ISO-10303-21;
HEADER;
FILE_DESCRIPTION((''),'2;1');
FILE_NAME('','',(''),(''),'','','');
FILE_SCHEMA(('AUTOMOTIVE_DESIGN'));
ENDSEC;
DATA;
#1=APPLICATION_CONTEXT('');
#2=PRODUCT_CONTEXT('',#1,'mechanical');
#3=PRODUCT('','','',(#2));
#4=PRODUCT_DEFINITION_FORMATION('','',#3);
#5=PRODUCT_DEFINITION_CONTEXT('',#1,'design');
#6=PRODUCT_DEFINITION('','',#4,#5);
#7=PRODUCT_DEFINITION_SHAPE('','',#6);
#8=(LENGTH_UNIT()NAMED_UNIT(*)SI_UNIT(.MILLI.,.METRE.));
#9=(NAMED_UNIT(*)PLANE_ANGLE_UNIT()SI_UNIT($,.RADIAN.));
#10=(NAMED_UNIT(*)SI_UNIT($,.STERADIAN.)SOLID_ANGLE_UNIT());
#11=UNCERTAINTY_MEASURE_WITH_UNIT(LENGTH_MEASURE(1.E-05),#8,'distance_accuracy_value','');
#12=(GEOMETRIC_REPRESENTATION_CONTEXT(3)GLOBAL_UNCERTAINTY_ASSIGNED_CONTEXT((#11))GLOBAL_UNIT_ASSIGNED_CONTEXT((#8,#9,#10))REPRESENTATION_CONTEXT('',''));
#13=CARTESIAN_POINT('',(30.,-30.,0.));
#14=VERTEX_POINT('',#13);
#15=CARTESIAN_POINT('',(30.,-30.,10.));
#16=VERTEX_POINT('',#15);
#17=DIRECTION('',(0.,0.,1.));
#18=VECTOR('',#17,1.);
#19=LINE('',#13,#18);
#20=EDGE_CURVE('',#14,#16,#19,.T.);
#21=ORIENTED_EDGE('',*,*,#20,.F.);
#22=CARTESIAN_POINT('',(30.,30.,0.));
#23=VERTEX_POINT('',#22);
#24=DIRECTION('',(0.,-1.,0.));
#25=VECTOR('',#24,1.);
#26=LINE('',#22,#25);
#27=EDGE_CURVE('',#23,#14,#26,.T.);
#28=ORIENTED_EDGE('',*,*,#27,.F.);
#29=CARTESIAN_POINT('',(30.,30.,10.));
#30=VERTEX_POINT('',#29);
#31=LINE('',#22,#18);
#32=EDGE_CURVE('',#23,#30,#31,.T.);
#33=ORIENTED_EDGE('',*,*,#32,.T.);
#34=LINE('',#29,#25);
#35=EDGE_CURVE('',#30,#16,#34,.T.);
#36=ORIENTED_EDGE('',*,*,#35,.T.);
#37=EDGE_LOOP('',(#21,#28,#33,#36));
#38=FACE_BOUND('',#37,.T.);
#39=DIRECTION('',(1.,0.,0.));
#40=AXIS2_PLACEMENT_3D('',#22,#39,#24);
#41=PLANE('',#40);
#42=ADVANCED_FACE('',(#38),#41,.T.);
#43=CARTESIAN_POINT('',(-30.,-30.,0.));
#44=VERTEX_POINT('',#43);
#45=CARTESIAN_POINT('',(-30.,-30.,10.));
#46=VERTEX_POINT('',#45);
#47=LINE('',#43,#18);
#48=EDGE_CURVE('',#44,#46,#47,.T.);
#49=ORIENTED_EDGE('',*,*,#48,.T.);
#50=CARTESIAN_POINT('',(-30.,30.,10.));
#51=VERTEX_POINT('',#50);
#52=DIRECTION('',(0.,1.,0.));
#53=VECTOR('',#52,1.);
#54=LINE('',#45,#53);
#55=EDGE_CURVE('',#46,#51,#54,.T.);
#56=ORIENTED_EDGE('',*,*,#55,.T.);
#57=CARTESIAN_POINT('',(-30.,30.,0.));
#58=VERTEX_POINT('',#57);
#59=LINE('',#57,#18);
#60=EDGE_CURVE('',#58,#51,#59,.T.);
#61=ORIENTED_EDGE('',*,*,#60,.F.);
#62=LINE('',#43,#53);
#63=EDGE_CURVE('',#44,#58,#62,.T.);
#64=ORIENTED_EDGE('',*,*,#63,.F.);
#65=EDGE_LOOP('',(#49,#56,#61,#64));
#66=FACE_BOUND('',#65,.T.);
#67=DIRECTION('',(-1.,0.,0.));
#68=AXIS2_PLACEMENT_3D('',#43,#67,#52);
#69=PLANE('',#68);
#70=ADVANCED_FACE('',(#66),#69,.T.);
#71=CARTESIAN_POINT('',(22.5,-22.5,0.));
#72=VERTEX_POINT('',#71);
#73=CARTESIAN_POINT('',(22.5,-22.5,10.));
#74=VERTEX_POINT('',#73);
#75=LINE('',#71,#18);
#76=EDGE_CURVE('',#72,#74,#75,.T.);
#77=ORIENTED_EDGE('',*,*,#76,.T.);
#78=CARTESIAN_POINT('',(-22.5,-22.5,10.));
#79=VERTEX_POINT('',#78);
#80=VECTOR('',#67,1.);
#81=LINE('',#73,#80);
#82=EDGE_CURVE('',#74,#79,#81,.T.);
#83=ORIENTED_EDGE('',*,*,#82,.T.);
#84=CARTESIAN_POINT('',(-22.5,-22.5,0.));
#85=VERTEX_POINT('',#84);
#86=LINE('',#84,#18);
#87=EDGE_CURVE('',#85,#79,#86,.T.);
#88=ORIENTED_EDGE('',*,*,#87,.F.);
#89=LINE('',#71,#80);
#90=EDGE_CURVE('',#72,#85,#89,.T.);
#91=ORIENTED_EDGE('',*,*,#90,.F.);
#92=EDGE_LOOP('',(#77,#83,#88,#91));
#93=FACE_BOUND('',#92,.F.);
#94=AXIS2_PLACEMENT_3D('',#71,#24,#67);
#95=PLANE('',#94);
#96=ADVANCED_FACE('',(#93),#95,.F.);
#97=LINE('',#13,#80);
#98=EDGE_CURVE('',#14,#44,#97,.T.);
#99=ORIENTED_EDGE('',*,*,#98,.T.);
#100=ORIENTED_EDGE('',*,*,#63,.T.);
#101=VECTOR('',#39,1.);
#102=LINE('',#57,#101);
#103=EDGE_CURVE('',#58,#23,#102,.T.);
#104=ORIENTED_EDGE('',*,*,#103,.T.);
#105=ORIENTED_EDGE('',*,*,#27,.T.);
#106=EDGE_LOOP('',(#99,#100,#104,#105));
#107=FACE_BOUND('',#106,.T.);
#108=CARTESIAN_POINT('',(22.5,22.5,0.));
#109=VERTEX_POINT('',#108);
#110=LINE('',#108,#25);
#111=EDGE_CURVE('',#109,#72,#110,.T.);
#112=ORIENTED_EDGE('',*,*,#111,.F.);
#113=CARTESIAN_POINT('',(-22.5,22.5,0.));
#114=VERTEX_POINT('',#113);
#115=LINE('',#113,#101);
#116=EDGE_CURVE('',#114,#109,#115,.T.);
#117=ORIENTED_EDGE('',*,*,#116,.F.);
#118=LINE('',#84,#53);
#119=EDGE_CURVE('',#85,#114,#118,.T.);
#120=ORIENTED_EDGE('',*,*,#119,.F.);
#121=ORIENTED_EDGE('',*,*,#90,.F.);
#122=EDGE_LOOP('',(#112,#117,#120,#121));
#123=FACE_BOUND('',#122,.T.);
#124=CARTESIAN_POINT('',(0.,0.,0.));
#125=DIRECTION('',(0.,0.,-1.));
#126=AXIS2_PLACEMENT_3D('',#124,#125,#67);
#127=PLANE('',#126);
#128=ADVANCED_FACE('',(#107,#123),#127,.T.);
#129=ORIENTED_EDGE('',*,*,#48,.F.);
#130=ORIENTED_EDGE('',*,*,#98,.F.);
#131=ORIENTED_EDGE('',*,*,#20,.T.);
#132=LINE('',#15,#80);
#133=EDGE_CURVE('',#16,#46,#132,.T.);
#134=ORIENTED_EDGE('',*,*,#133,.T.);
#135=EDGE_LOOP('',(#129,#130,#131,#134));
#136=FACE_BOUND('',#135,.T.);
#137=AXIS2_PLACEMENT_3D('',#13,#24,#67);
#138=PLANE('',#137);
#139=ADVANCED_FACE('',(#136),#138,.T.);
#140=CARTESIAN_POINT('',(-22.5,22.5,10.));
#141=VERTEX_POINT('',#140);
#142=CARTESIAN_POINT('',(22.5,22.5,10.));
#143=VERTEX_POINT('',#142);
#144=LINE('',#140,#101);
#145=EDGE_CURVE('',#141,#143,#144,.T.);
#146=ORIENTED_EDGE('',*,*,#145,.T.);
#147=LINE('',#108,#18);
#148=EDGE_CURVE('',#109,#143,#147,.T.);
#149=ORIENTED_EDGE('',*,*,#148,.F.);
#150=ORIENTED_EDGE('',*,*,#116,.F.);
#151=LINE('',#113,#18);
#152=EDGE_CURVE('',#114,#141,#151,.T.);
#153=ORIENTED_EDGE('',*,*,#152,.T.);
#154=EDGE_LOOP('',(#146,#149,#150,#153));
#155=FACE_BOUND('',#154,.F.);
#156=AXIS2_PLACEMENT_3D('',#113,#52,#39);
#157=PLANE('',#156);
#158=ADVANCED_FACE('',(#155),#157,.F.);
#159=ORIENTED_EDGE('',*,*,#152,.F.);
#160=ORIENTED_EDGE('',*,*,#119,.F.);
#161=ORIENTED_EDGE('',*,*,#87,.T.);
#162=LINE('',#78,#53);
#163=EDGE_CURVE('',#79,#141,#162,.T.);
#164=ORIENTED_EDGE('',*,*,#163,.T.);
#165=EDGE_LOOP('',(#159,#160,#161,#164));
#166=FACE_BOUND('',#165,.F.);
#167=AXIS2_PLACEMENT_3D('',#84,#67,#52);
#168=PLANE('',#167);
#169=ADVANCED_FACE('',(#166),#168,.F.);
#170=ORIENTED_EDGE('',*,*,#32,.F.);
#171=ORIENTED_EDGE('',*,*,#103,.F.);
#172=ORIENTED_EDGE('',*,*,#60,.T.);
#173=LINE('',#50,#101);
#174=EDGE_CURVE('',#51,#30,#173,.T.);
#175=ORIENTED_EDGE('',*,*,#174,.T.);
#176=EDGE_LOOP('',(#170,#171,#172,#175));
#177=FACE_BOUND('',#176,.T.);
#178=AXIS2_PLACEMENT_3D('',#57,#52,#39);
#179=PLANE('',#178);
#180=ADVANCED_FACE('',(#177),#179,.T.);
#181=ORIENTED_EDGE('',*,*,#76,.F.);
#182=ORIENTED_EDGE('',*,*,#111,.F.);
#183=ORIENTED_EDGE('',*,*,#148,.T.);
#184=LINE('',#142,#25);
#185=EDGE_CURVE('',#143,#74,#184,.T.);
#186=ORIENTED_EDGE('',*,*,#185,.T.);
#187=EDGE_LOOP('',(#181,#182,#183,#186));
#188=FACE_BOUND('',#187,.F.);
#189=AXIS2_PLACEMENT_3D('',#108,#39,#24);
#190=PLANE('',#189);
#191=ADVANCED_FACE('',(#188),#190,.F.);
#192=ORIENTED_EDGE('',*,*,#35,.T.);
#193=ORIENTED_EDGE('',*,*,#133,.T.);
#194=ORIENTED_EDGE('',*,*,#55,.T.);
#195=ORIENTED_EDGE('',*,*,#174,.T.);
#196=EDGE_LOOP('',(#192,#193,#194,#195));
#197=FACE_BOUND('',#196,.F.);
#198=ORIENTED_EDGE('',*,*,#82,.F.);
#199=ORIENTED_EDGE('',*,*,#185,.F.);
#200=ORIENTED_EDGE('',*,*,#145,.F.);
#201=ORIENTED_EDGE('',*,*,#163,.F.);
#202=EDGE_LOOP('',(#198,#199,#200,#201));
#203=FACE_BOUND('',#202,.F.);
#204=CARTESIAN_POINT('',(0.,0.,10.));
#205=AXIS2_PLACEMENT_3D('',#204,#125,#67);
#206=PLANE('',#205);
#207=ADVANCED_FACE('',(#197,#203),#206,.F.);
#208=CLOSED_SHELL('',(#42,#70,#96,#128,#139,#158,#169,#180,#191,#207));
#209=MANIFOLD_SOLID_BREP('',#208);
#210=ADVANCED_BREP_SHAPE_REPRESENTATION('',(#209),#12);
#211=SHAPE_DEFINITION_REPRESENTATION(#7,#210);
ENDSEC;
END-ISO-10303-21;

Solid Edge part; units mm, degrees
sketch "Sketch1" plane through (0, 0, 0) normal (0, 0, 1) x (1, 0, 0)
  line L0 (30, -30) -> (-30, -30)
  line L1 (-30, -30) -> (-30, 30)
  line L2 (-30, 30) -> (30, 30)
  line L3 (30, 30) -> (30, -30)
  line L4 (22.5, -22.5) -> (-22.5, -22.5)
  line L5 (-22.5, -22.5) -> (-22.5, 22.5)
  line L6 (-22.5, 22.5) -> (22.5, 22.5)
  line L7 (22.5, 22.5) -> (22.5, -22.5)
  dimension "D1" = 60
  dimension "D2" = 60
  dimension "D3" = 45
  dimension "D4" = 45
extrude "Protrusion1" add sketch "Sketch1" along normal blind 10
